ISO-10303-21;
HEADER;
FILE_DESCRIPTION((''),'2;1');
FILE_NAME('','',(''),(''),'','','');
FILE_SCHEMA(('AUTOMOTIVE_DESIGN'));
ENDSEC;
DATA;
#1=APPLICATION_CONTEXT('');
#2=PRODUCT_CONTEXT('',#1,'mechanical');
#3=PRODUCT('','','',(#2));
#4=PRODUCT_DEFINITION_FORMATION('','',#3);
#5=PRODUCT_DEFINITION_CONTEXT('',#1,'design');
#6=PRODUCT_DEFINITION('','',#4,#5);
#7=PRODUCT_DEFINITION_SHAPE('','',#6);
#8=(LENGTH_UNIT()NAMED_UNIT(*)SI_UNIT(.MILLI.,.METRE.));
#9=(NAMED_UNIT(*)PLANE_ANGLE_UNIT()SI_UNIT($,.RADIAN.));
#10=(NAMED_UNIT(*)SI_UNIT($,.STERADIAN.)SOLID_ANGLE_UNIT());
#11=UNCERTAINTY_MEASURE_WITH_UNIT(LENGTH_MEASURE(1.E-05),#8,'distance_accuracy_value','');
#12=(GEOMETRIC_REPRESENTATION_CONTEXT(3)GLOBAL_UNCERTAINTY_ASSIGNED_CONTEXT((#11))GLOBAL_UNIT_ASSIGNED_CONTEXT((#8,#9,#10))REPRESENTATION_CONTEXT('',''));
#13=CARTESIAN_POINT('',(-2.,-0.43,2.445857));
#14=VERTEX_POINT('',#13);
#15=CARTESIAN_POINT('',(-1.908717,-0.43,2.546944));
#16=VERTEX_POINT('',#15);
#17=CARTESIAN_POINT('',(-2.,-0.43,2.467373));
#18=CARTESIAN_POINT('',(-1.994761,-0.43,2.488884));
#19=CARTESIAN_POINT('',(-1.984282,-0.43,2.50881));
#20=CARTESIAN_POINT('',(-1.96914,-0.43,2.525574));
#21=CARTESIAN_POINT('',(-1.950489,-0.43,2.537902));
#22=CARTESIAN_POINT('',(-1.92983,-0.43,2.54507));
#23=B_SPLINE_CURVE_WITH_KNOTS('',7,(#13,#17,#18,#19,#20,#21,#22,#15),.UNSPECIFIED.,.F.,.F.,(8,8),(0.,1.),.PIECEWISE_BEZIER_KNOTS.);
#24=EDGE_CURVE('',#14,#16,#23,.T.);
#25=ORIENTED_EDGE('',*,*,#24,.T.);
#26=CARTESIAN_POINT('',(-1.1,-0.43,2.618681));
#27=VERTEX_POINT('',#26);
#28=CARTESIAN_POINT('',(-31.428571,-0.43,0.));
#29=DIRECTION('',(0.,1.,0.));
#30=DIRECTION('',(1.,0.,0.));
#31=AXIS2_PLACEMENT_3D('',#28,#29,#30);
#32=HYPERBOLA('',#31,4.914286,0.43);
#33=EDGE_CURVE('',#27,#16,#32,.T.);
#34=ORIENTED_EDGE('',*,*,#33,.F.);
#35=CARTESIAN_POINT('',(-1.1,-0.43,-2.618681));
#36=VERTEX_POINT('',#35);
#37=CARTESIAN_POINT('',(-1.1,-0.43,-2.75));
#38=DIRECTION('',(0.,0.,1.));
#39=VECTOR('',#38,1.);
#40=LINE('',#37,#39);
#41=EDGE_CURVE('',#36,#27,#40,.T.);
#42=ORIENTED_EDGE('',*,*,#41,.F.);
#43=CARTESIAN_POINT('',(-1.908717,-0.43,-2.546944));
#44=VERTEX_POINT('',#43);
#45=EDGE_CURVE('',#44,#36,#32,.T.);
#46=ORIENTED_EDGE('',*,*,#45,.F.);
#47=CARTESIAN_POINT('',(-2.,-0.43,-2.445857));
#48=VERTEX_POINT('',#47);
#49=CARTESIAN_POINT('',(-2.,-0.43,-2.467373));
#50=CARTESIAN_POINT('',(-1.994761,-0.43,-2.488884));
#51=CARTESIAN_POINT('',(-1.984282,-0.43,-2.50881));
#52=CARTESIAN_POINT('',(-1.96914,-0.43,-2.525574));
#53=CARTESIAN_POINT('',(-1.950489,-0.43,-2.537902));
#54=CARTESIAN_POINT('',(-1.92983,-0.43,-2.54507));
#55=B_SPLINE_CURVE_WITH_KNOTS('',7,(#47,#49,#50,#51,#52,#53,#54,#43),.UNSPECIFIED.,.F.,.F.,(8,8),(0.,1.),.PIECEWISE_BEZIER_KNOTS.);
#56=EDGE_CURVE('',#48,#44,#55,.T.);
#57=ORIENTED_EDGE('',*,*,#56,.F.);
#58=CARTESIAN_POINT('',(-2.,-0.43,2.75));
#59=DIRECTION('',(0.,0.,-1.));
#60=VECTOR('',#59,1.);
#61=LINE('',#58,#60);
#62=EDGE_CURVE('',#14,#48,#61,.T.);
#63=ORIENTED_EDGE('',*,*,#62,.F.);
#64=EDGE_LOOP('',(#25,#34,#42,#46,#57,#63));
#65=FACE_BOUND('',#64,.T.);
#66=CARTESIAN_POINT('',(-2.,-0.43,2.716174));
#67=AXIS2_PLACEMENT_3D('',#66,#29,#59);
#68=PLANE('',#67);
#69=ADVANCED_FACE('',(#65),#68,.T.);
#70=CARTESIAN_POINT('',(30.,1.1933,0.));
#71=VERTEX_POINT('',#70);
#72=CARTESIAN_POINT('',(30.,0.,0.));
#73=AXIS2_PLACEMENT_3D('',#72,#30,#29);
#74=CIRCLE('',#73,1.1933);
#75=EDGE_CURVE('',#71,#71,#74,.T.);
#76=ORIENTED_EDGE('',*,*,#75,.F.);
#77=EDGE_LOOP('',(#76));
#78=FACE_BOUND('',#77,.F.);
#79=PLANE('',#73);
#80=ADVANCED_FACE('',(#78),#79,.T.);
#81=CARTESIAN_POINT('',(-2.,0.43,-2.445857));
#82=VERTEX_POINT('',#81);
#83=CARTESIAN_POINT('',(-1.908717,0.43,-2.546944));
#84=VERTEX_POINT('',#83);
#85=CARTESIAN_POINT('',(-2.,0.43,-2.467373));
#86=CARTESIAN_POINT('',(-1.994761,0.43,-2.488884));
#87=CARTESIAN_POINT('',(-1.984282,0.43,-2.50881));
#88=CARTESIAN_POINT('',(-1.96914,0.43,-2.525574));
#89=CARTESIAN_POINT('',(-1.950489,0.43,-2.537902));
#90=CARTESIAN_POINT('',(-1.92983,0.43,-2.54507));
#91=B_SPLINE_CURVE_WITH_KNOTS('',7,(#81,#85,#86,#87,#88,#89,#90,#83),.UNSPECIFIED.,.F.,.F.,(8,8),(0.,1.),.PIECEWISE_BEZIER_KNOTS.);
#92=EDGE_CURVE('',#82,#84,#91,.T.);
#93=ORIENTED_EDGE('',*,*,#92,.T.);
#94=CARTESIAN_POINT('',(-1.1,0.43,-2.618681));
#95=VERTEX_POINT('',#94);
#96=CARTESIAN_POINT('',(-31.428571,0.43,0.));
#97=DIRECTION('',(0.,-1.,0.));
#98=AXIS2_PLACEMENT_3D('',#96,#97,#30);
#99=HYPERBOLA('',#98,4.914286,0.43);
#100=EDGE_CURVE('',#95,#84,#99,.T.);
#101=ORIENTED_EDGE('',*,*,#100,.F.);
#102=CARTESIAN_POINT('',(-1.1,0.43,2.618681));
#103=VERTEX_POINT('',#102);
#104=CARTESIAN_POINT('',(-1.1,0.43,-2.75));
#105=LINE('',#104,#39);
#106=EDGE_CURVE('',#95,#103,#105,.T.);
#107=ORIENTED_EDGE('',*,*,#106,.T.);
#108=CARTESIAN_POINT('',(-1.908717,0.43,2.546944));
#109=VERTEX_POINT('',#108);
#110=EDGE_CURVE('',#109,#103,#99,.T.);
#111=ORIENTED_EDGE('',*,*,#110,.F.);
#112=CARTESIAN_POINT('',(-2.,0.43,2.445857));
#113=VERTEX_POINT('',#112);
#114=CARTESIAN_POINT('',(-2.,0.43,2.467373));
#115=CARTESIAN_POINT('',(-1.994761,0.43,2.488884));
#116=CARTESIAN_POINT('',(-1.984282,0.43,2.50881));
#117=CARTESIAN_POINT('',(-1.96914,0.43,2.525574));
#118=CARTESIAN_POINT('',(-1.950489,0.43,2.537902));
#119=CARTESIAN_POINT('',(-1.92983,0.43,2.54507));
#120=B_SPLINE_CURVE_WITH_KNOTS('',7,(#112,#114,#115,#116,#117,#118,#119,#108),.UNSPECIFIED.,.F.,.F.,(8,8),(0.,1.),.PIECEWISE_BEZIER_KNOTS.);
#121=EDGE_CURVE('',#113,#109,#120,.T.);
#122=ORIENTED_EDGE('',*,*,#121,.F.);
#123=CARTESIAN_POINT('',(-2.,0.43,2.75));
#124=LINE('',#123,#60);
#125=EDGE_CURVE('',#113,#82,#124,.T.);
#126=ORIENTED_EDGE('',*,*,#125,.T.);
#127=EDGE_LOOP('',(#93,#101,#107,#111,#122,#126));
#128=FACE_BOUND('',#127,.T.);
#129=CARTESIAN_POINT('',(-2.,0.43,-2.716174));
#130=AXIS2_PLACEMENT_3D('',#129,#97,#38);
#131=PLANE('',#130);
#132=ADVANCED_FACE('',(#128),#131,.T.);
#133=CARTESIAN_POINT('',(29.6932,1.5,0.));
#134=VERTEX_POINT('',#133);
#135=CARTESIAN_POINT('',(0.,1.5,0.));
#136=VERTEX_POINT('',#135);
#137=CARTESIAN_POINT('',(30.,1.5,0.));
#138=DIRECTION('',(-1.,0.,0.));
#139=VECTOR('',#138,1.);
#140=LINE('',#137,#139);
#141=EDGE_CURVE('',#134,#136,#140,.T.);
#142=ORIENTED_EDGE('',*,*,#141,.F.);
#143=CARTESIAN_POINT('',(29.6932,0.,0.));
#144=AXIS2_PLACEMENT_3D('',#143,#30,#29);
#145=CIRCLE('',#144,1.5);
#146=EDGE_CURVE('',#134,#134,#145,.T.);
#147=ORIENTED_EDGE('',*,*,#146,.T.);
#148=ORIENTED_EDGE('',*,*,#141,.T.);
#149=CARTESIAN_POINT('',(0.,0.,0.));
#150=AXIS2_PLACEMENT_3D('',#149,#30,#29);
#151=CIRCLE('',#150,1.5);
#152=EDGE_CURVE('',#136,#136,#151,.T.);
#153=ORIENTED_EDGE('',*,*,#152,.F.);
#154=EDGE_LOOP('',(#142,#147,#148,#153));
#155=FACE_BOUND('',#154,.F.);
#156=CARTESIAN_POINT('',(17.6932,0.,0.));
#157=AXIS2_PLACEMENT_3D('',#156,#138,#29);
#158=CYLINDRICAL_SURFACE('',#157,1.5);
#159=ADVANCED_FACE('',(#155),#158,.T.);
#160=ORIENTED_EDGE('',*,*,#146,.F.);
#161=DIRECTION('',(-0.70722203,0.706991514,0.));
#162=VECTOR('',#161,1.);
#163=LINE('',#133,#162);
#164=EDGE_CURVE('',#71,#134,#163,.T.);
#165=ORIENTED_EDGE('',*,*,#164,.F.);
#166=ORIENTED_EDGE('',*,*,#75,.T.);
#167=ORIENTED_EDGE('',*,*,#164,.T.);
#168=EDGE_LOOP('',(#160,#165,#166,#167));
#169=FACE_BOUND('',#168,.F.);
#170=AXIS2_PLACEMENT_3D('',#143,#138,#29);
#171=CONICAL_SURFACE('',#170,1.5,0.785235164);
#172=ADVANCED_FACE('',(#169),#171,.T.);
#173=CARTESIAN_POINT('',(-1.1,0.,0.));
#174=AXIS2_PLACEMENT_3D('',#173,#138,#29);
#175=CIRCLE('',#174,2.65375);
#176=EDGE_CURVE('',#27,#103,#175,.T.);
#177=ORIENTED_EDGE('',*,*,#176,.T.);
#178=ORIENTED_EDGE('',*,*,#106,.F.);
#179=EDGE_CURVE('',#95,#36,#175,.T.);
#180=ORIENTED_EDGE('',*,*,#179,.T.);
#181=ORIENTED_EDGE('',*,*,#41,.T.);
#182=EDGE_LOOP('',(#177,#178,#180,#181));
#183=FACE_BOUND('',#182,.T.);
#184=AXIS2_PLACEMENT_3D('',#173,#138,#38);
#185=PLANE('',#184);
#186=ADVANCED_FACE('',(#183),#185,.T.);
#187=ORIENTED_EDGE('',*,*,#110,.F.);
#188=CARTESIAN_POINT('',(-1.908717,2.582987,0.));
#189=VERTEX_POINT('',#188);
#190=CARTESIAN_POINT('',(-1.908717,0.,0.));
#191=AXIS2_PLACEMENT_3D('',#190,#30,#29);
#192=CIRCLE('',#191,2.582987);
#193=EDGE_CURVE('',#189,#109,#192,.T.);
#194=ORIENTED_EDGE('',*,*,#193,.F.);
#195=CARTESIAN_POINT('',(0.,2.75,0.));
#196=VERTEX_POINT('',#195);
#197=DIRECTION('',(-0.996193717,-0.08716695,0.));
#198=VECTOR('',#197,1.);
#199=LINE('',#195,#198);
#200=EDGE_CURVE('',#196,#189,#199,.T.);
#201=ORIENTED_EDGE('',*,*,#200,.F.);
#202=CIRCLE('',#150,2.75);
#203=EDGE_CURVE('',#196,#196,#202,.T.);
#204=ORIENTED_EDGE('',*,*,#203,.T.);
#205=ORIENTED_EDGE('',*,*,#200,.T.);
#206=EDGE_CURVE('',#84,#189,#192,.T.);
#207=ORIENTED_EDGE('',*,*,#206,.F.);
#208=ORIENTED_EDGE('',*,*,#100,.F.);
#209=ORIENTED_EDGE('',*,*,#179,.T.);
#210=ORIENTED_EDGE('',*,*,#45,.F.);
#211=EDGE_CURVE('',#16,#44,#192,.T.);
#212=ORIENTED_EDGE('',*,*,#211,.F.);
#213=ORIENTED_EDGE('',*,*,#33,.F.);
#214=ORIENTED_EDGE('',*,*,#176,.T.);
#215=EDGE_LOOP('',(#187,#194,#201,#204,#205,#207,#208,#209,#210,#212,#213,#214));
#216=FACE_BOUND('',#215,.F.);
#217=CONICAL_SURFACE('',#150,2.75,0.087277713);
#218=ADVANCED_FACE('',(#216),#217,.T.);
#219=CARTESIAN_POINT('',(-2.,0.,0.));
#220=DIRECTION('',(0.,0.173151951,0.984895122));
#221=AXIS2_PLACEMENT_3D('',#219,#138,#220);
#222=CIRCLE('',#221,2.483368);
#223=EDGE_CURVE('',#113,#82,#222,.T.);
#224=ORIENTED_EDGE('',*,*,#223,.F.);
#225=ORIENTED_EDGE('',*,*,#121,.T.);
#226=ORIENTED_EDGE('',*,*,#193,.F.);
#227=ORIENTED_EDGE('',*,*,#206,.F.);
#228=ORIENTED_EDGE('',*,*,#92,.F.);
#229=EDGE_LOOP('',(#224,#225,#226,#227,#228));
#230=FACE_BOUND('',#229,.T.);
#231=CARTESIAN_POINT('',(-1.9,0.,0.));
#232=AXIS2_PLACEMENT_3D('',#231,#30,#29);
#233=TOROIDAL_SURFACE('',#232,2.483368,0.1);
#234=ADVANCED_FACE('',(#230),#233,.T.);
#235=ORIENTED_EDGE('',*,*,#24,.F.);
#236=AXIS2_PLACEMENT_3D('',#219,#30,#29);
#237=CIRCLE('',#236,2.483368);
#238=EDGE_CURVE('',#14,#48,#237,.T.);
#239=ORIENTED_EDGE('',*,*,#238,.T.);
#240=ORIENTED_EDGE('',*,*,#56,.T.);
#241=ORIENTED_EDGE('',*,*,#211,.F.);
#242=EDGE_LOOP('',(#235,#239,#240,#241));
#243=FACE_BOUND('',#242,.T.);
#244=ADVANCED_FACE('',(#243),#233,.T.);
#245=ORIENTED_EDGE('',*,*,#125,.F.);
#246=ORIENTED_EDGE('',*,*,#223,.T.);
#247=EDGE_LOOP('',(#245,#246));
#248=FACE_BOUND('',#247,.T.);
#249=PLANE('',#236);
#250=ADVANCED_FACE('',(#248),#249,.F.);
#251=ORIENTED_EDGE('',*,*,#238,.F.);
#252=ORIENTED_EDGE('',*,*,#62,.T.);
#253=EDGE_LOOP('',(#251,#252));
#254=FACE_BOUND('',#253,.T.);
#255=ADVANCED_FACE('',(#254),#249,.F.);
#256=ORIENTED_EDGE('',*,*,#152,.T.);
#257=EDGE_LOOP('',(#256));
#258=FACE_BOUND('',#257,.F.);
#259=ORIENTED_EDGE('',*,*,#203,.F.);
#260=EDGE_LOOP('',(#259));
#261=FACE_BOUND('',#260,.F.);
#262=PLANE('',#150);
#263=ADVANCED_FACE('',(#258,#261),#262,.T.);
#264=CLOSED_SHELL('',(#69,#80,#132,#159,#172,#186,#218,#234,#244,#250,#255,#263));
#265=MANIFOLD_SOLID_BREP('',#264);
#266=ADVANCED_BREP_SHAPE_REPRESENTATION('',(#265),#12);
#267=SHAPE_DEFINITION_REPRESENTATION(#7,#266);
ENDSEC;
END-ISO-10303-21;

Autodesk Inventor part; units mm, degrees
ref_plane "YZ Plane" through (0, 0, 0) normal (1, 0, 0) x (0, 1, 0)
ref_plane "XZ Plane" through (0, 0, 0) normal (0, 1, 0) x (-1, 0, 0)
sketch "Esquisse1" plane through (0, 0, 0) normal (0, 0, 1) x (1, 0, 0)
  line L0 (-2, 0) -> (30, 0)
  line L1 (30, 0) -> (30, 1.5)
  line L2 (30, 1.5) -> (18, 1.5)
  line L3 (18, 1.5) -> (17.6932, 1.5)
  line L4 (17.6932, 1.5) -> (0, 1.5)
  line L5 (0, 1.5) -> (0, 2.75)
  line L6 (-8.4, 0) -> (36.4, 0) projected
  line L7 (0, -0.55) -> (0, 3.3) projected
  line L8 (-2, 0) -> (-2, 2.575)
  line L9 (0, 2.75) -> (-2, 2.575)
  line L10 (18, 1.5) -> (0, 1.5) construction
  dimension "d0" = 30
  dimension "d1" = 12
  dimension "d2" = 0.3068
  dimension "d3" = 2
  dimension "d4" = 3
  dimension "d5" = 3
  dimension "d9" = 5.5
  dimension "d10" = 5
revolve "Corps" add sketch "Esquisse1" angle 360 about axis through (-2, 0, 0) along (1, 0, 0)
sketch "Esquisse2" plane through (-2, 0, 0) normal (-1, 0, 0) x (0, 0, 1)
  circle A0 centre (0, 0) radius 2.75 projected
  line L0 (0, 0) -> (0, 2.575) projected
  line L1 (-2.75, 0.43) -> (2.75, 0.43)
  line L2 (2.75, 0.43) -> (2.75, -0.43)
  line L3 (2.75, -0.43) -> (-2.75, -0.43)
  line L4 (-2.75, -0.43) -> (-2.75, 0.43)
  line L5 (-2.75, 0) -> (2.75, 0) construction
  line L6 (0, 0.43) -> (0, -0.43) construction
  dimension "d11" = 0.86
  dimension "d12" = 5.5
fillet "Congé1" radius 0.1 1 edges at (-2, -2.575, 0)
extrude "Rainure" cut sketch "Esquisse2" against normal blind 0.9 contours A0 L3 L1 | L2 L3 A0 | A0 L1 L2 | A0 L4 L1 | L3 L4 A0
thread "Filetage" size "M3x0.5" class "6g" standard "ISO Metric profile" length 12
chamfer "Chanfrein1" distance 0.3067 distance2 0.3068 1 edges at (30, -1.5, 0) measured on face at (30, 0.3888, 0.4512)
ref_plane "Work Plane1" through (30.1625, 0, 0) normal (0, 0, -1) x (1, 0, 0)
equation "\"d11\" = SBR"
equation "\"d12\" = KOD"
equation "\"d14\" = RR"
equation "\"d19\" = STI"
equation "\"d15\" = GEL"
equation "\"d17\" = -0.5 * SPD + 0.5 * GD"
equation "\"d0\" = NLG"
equation "\"d1\" = GEL"
equation "\"d3\" = KOH"
equation "\"d4\" = GD"
equation "\"d5\" = BDM"
equation "\"d9\" = KOD"
equation "\"d10\" = KEWI"
equation "\"GD\" = NND"
equation "\"NLG\" = 30"
equation "\"GEL\" = 12"
equation "\"KOD\" = 5.5"
equation "\"KOH\" = 2"
equation "\"GAL\" = 0.61345 * PTC"
equation "\"SPD\" = NND - 1.2269 * PTC"
equation "\"BDM\" = NND"
equation "\"GUL\" = 0.61345 * PTC"
equation "\"RR\" = 0.1"
equation "\"SBR\" = 0.86"
equation "\"STI\" = 0.9"
equation "\"KEWI\" = 5deg"
equation "\"PTC\" = 0.5"
equation "\"THREADDIA\" = 3"
equation "\"TOA\" = 30deg"
equation "\"NND\" = 3"
equation "\"GD1\" = THREADDIA - 1.2269 * PTC"
properties part number "CSN 02 1131 - M3 x 30" material "Acier, doux"
